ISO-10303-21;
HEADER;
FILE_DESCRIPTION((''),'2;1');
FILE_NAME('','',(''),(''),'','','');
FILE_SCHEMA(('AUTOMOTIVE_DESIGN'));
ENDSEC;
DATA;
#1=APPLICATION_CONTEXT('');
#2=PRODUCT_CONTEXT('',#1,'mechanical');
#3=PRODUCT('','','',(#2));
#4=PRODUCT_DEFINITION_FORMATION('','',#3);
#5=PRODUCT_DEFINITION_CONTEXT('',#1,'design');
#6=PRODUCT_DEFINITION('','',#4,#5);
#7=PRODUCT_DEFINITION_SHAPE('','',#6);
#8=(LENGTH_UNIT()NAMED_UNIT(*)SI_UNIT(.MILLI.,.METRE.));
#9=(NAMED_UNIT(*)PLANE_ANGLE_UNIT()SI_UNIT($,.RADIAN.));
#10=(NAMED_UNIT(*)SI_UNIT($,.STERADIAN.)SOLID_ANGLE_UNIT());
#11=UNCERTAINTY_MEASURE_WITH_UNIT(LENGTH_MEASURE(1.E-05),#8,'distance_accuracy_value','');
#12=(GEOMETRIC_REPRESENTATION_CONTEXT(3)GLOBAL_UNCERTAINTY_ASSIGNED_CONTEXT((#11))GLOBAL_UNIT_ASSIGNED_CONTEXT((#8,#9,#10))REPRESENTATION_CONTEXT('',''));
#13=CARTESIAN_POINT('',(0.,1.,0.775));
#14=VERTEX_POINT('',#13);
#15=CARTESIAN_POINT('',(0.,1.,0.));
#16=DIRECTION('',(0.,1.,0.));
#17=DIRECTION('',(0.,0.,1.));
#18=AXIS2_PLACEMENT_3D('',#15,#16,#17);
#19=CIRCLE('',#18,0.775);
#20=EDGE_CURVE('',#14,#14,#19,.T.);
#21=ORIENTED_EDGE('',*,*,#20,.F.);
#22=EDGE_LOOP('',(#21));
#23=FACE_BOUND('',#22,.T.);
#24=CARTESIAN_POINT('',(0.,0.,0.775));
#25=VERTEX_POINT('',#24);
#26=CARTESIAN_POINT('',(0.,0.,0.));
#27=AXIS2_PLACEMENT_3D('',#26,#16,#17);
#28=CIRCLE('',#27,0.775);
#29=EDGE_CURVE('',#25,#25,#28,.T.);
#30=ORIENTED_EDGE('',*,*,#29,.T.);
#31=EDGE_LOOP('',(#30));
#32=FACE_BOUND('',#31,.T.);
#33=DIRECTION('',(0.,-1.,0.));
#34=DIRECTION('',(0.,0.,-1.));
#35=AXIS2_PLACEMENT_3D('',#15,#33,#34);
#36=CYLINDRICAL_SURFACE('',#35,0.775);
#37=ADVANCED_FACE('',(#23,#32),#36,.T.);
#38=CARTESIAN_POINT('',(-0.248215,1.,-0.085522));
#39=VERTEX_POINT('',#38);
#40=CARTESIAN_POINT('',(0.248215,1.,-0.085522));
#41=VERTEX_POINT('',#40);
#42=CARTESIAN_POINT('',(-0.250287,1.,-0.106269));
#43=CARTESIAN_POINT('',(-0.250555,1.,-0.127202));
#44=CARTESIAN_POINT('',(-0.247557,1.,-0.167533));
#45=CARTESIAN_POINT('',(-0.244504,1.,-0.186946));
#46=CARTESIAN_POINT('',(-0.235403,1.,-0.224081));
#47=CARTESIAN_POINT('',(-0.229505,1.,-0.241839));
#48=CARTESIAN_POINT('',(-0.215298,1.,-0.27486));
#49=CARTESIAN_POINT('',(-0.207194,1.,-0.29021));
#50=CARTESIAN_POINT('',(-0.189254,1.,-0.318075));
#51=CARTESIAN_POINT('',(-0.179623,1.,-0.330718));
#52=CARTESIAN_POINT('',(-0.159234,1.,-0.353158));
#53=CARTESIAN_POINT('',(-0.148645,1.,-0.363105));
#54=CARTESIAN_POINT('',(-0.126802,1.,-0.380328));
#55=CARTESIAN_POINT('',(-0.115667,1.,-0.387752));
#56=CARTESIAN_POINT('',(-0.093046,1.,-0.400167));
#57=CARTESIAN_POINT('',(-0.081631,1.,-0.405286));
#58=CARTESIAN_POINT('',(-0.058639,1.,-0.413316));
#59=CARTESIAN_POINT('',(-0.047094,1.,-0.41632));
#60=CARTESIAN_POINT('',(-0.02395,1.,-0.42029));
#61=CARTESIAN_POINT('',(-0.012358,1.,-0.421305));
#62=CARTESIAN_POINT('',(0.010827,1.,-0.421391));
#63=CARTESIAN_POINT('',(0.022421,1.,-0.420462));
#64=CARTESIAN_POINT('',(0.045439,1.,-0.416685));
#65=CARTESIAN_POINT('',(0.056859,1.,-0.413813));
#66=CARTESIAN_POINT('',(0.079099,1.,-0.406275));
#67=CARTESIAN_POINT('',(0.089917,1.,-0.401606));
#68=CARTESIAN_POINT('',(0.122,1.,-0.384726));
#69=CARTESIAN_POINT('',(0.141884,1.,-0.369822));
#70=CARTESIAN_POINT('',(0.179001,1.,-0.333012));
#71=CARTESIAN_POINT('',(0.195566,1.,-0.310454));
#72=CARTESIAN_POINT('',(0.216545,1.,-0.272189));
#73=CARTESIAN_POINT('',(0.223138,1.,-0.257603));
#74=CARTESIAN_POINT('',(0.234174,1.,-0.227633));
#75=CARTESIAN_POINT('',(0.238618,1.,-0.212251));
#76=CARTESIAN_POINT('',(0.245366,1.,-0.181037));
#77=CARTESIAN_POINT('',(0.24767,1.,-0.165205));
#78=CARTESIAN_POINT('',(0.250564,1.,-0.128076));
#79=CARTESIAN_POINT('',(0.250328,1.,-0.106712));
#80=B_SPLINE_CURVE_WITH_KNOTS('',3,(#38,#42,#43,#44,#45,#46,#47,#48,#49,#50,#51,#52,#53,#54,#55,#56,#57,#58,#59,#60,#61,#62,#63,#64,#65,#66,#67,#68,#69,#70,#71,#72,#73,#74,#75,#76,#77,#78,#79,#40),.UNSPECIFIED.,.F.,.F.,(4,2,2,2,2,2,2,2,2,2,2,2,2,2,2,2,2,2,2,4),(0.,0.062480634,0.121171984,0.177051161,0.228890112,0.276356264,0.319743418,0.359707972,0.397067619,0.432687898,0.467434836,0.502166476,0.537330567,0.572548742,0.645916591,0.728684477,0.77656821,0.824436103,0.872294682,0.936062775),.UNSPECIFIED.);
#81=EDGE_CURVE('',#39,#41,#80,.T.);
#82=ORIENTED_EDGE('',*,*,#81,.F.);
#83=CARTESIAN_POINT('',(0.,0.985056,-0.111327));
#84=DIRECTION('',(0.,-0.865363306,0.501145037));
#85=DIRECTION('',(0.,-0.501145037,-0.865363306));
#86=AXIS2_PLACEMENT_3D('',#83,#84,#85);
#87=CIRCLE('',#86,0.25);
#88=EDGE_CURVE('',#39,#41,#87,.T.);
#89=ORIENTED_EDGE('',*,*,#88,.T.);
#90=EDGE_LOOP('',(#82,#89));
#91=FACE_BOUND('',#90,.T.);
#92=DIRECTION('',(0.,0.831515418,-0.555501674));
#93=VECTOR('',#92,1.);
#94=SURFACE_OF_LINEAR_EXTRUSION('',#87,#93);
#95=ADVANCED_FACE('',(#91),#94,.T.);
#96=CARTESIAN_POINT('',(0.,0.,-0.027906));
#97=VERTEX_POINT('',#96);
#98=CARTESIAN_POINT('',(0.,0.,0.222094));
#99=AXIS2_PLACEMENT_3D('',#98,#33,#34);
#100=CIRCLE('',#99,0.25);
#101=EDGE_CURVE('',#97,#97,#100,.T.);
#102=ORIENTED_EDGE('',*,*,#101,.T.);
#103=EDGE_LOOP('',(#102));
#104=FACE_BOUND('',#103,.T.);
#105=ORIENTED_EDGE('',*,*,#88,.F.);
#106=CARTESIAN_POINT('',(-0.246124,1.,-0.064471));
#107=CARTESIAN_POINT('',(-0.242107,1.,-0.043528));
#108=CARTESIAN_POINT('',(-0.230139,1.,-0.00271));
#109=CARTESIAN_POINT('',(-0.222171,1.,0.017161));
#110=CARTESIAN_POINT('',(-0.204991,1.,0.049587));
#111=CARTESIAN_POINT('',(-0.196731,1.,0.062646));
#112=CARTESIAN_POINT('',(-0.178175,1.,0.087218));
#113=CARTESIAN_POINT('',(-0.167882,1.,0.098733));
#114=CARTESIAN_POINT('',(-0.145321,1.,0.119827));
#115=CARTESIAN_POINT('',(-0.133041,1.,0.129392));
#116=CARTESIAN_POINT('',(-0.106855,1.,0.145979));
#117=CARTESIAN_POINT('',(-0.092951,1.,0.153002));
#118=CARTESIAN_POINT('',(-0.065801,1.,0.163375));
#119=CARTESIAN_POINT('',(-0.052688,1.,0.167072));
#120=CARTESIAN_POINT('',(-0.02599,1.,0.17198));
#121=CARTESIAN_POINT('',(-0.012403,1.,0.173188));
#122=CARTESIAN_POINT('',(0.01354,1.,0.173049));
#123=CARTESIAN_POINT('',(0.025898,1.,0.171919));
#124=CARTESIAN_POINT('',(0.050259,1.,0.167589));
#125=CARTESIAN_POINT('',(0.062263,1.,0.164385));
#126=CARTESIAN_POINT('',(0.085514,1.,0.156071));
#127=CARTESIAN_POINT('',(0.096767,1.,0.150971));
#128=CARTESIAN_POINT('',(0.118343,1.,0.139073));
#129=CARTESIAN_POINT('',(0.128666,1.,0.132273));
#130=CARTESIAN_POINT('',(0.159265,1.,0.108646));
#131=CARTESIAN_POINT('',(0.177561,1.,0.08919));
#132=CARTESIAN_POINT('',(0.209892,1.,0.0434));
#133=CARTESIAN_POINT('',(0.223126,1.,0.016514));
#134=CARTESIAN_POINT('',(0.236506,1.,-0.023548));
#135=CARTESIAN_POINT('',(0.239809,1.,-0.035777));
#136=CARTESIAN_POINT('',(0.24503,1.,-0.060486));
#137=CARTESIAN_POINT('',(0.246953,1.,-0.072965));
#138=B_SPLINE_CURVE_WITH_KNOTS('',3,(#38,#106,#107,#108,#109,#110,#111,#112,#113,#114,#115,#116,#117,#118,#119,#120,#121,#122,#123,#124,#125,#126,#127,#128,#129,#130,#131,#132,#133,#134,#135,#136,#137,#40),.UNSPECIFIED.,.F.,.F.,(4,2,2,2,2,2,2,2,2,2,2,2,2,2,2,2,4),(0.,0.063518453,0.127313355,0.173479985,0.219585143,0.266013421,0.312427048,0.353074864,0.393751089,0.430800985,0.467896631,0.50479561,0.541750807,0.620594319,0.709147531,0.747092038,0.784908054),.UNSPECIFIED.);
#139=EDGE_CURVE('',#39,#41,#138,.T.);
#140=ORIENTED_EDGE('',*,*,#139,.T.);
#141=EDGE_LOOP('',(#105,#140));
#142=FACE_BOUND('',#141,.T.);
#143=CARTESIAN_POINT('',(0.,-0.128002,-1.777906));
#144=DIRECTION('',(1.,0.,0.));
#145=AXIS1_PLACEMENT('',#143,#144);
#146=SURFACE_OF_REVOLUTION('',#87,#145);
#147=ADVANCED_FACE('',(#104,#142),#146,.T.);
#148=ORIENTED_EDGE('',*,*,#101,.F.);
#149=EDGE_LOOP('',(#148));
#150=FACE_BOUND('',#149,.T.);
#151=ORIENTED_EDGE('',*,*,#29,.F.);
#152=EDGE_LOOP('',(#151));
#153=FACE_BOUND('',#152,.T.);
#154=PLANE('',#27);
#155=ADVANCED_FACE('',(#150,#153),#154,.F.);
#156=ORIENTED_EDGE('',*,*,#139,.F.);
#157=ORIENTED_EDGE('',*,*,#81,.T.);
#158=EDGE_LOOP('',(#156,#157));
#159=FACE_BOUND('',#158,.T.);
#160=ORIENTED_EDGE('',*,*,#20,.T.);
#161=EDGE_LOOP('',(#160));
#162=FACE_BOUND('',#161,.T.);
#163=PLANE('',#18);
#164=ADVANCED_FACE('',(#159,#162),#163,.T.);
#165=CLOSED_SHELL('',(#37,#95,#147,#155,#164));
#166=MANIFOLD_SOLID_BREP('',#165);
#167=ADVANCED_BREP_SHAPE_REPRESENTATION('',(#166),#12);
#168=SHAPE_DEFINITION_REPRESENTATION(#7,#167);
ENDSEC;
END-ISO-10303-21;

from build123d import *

# Parameters (mm, degrees)
SKETCH1_R           = 0.775
BOSS_EXTRUDE1_DEPTH = 1
SKETCH3_R           = 0.25


with BuildPart() as part:
    # Sketch1 → Boss-Extrude1 (new body)
    with BuildSketch(Plane(origin=(0, 0, 0), x_dir=(1, 0, 0), z_dir=(0, 1, 0))):
        Circle(SKETCH1_R)
    extrude(amount=BOSS_EXTRUDE1_DEPTH)

    # Cut-Sweep1: sweep along a path in Sketch2
    with BuildLine(Plane(origin=(0, 0, 0), x_dir=(0, 0, -1), z_dir=(1, 0, 0))) as cut_sweep1_path:
        Line((-0.222094233, -0.152695955), (-0.222094233, -0.128001882))
        ThreePointArc((-0.222094233, -0.128001882), (-0.135998837, 0.45248857), (0.114874932, 0.983001467))
        Line((0.114874932, 0.983001467), (0.338759746, 1.318128585))
    # Sketch3 → Cut-Sweep1 (sweep, cut)
    with BuildSketch(Plane.XZ):
        with Locations((0, 0.222094233)):
            Circle(SKETCH3_R)
    sweep(path=cut_sweep1_path.line, mode=Mode.SUBTRACT)


solid = part.part
